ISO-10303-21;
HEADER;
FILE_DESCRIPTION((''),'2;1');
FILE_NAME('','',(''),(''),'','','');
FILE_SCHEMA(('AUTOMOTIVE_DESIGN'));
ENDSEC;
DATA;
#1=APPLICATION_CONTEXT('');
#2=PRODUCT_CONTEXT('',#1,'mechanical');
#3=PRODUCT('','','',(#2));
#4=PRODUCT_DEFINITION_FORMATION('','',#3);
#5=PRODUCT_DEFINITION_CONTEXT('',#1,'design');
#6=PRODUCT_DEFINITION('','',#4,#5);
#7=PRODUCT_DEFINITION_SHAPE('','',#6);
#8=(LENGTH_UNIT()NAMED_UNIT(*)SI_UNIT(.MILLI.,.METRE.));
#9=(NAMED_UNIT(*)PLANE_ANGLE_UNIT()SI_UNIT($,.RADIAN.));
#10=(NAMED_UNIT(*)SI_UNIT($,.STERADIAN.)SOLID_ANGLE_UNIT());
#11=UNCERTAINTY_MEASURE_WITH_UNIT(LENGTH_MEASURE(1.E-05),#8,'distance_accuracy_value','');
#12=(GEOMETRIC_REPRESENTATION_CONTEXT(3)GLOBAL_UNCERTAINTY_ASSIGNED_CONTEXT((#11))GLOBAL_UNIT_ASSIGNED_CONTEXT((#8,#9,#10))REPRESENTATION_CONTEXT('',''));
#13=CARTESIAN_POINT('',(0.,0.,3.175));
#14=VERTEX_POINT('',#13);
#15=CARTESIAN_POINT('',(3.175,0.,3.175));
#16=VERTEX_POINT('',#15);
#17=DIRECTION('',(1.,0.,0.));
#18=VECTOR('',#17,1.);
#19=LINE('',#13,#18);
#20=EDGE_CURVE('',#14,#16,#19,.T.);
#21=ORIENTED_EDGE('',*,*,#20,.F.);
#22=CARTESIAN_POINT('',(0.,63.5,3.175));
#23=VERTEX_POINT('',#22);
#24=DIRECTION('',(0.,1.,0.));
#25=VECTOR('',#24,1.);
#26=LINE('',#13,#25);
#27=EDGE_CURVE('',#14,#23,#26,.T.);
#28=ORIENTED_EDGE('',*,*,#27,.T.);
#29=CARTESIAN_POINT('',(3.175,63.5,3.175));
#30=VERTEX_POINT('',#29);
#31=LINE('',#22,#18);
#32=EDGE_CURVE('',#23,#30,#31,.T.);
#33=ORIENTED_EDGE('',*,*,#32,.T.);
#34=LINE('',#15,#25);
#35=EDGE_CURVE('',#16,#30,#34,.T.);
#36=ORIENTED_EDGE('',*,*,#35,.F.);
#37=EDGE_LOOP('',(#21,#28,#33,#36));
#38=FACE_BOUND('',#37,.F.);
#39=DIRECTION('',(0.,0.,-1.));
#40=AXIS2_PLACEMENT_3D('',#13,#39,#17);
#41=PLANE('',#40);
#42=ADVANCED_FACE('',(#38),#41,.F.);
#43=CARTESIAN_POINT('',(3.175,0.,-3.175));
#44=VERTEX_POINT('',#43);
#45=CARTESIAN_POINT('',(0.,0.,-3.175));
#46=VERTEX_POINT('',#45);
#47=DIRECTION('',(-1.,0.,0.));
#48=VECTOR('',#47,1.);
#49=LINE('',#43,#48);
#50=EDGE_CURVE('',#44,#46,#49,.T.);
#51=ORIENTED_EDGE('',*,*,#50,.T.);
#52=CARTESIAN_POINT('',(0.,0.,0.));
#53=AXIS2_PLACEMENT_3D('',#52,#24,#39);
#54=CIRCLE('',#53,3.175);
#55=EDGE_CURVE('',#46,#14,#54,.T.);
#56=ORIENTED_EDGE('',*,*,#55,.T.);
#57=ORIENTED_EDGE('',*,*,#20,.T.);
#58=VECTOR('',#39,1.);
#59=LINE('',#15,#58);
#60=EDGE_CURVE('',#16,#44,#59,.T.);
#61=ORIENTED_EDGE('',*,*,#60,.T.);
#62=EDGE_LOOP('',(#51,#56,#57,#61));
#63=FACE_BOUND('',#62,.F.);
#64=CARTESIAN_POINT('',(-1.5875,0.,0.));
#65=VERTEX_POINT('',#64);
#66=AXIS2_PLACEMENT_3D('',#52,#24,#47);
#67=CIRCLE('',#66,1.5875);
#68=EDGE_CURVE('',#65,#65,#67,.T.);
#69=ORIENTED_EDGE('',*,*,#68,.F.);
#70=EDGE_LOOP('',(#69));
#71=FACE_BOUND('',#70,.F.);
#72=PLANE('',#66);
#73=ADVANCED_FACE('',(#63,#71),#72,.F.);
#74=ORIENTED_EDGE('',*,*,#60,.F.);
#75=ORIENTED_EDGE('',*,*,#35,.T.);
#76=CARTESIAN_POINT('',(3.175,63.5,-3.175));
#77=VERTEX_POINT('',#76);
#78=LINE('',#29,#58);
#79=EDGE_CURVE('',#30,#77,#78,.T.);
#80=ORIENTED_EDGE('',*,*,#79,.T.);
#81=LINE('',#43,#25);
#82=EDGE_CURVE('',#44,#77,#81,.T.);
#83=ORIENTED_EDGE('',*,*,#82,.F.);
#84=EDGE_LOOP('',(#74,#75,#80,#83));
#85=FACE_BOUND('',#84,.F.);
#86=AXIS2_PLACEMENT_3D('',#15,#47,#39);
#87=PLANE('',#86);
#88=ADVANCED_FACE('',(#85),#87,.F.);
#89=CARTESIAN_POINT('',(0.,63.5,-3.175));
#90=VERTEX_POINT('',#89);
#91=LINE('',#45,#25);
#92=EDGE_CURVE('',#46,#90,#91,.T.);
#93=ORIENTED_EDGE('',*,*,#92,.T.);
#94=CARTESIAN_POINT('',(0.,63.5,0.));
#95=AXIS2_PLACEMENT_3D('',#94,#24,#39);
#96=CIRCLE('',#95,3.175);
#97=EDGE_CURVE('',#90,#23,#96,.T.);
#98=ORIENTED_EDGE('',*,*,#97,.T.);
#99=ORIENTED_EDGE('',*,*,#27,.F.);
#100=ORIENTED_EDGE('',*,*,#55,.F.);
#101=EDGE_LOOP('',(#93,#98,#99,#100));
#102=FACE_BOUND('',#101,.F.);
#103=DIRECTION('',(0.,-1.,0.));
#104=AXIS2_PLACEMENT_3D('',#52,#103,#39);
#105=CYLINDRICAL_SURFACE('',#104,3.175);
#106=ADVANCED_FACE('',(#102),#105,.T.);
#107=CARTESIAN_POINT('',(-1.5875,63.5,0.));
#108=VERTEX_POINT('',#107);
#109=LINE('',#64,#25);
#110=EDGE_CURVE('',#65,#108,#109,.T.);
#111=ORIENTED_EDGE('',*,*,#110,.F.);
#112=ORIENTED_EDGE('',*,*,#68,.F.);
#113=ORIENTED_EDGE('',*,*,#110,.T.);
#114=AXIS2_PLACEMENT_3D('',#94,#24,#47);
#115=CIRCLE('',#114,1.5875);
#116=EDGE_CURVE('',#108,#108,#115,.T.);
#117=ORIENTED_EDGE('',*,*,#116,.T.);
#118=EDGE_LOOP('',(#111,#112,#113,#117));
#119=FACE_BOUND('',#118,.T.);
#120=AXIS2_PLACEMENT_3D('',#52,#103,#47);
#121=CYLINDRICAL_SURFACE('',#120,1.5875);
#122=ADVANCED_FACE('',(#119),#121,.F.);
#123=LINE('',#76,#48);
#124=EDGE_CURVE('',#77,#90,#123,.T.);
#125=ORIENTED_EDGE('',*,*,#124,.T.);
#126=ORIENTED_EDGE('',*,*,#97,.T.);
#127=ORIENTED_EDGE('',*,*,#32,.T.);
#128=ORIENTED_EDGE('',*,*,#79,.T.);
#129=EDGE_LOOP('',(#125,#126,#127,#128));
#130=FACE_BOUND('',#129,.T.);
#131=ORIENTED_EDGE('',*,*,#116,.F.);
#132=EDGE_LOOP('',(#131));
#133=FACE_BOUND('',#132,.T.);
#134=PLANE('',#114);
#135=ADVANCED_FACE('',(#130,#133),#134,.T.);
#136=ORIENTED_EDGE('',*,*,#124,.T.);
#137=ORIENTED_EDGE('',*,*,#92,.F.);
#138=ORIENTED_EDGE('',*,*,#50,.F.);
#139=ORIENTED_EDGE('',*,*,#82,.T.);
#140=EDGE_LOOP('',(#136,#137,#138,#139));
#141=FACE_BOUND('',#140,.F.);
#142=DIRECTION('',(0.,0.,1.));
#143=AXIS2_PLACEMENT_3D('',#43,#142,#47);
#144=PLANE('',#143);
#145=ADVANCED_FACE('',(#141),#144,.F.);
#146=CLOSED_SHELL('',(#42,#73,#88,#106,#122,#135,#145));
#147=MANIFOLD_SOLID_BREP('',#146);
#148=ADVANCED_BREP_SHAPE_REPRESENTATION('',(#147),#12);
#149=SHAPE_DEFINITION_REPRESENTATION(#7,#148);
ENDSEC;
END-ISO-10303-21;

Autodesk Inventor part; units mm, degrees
ref_plane "YZ Plane" through (0, 0, 0) normal (1, 0, 0) x (0, 1, 0)
ref_plane "XZ Plane" through (0, 0, 0) normal (0, 1, 0) x (-1, 0, 0)
ref_plane "XY Plane" through (0, 0, 0) normal (0, 0, 1) x (1, 0, 0)
sketch "Sketch1" plane through (0, 0, 0) normal (0, 1, 0) x (-1, 0, 0)
  circle A0 centre (0, 0) radius 1.5875
  arc A1 (0, -3.175) -> (0, 3.175) centre (0, 0) ccw
  line L0 (0, 3.175) -> (-3.175, 3.175)
  line L1 (-3.175, 3.175) -> (-3.175, -3.175)
  line L2 (-3.175, -3.175) -> (0, -3.175)
  dimension "d0" = 3.175
  dimension "d1" = 6.35
extrude "Extrusion1" add sketch "Sketch1" along normal blind 63.5
properties part number "postSpacer"
